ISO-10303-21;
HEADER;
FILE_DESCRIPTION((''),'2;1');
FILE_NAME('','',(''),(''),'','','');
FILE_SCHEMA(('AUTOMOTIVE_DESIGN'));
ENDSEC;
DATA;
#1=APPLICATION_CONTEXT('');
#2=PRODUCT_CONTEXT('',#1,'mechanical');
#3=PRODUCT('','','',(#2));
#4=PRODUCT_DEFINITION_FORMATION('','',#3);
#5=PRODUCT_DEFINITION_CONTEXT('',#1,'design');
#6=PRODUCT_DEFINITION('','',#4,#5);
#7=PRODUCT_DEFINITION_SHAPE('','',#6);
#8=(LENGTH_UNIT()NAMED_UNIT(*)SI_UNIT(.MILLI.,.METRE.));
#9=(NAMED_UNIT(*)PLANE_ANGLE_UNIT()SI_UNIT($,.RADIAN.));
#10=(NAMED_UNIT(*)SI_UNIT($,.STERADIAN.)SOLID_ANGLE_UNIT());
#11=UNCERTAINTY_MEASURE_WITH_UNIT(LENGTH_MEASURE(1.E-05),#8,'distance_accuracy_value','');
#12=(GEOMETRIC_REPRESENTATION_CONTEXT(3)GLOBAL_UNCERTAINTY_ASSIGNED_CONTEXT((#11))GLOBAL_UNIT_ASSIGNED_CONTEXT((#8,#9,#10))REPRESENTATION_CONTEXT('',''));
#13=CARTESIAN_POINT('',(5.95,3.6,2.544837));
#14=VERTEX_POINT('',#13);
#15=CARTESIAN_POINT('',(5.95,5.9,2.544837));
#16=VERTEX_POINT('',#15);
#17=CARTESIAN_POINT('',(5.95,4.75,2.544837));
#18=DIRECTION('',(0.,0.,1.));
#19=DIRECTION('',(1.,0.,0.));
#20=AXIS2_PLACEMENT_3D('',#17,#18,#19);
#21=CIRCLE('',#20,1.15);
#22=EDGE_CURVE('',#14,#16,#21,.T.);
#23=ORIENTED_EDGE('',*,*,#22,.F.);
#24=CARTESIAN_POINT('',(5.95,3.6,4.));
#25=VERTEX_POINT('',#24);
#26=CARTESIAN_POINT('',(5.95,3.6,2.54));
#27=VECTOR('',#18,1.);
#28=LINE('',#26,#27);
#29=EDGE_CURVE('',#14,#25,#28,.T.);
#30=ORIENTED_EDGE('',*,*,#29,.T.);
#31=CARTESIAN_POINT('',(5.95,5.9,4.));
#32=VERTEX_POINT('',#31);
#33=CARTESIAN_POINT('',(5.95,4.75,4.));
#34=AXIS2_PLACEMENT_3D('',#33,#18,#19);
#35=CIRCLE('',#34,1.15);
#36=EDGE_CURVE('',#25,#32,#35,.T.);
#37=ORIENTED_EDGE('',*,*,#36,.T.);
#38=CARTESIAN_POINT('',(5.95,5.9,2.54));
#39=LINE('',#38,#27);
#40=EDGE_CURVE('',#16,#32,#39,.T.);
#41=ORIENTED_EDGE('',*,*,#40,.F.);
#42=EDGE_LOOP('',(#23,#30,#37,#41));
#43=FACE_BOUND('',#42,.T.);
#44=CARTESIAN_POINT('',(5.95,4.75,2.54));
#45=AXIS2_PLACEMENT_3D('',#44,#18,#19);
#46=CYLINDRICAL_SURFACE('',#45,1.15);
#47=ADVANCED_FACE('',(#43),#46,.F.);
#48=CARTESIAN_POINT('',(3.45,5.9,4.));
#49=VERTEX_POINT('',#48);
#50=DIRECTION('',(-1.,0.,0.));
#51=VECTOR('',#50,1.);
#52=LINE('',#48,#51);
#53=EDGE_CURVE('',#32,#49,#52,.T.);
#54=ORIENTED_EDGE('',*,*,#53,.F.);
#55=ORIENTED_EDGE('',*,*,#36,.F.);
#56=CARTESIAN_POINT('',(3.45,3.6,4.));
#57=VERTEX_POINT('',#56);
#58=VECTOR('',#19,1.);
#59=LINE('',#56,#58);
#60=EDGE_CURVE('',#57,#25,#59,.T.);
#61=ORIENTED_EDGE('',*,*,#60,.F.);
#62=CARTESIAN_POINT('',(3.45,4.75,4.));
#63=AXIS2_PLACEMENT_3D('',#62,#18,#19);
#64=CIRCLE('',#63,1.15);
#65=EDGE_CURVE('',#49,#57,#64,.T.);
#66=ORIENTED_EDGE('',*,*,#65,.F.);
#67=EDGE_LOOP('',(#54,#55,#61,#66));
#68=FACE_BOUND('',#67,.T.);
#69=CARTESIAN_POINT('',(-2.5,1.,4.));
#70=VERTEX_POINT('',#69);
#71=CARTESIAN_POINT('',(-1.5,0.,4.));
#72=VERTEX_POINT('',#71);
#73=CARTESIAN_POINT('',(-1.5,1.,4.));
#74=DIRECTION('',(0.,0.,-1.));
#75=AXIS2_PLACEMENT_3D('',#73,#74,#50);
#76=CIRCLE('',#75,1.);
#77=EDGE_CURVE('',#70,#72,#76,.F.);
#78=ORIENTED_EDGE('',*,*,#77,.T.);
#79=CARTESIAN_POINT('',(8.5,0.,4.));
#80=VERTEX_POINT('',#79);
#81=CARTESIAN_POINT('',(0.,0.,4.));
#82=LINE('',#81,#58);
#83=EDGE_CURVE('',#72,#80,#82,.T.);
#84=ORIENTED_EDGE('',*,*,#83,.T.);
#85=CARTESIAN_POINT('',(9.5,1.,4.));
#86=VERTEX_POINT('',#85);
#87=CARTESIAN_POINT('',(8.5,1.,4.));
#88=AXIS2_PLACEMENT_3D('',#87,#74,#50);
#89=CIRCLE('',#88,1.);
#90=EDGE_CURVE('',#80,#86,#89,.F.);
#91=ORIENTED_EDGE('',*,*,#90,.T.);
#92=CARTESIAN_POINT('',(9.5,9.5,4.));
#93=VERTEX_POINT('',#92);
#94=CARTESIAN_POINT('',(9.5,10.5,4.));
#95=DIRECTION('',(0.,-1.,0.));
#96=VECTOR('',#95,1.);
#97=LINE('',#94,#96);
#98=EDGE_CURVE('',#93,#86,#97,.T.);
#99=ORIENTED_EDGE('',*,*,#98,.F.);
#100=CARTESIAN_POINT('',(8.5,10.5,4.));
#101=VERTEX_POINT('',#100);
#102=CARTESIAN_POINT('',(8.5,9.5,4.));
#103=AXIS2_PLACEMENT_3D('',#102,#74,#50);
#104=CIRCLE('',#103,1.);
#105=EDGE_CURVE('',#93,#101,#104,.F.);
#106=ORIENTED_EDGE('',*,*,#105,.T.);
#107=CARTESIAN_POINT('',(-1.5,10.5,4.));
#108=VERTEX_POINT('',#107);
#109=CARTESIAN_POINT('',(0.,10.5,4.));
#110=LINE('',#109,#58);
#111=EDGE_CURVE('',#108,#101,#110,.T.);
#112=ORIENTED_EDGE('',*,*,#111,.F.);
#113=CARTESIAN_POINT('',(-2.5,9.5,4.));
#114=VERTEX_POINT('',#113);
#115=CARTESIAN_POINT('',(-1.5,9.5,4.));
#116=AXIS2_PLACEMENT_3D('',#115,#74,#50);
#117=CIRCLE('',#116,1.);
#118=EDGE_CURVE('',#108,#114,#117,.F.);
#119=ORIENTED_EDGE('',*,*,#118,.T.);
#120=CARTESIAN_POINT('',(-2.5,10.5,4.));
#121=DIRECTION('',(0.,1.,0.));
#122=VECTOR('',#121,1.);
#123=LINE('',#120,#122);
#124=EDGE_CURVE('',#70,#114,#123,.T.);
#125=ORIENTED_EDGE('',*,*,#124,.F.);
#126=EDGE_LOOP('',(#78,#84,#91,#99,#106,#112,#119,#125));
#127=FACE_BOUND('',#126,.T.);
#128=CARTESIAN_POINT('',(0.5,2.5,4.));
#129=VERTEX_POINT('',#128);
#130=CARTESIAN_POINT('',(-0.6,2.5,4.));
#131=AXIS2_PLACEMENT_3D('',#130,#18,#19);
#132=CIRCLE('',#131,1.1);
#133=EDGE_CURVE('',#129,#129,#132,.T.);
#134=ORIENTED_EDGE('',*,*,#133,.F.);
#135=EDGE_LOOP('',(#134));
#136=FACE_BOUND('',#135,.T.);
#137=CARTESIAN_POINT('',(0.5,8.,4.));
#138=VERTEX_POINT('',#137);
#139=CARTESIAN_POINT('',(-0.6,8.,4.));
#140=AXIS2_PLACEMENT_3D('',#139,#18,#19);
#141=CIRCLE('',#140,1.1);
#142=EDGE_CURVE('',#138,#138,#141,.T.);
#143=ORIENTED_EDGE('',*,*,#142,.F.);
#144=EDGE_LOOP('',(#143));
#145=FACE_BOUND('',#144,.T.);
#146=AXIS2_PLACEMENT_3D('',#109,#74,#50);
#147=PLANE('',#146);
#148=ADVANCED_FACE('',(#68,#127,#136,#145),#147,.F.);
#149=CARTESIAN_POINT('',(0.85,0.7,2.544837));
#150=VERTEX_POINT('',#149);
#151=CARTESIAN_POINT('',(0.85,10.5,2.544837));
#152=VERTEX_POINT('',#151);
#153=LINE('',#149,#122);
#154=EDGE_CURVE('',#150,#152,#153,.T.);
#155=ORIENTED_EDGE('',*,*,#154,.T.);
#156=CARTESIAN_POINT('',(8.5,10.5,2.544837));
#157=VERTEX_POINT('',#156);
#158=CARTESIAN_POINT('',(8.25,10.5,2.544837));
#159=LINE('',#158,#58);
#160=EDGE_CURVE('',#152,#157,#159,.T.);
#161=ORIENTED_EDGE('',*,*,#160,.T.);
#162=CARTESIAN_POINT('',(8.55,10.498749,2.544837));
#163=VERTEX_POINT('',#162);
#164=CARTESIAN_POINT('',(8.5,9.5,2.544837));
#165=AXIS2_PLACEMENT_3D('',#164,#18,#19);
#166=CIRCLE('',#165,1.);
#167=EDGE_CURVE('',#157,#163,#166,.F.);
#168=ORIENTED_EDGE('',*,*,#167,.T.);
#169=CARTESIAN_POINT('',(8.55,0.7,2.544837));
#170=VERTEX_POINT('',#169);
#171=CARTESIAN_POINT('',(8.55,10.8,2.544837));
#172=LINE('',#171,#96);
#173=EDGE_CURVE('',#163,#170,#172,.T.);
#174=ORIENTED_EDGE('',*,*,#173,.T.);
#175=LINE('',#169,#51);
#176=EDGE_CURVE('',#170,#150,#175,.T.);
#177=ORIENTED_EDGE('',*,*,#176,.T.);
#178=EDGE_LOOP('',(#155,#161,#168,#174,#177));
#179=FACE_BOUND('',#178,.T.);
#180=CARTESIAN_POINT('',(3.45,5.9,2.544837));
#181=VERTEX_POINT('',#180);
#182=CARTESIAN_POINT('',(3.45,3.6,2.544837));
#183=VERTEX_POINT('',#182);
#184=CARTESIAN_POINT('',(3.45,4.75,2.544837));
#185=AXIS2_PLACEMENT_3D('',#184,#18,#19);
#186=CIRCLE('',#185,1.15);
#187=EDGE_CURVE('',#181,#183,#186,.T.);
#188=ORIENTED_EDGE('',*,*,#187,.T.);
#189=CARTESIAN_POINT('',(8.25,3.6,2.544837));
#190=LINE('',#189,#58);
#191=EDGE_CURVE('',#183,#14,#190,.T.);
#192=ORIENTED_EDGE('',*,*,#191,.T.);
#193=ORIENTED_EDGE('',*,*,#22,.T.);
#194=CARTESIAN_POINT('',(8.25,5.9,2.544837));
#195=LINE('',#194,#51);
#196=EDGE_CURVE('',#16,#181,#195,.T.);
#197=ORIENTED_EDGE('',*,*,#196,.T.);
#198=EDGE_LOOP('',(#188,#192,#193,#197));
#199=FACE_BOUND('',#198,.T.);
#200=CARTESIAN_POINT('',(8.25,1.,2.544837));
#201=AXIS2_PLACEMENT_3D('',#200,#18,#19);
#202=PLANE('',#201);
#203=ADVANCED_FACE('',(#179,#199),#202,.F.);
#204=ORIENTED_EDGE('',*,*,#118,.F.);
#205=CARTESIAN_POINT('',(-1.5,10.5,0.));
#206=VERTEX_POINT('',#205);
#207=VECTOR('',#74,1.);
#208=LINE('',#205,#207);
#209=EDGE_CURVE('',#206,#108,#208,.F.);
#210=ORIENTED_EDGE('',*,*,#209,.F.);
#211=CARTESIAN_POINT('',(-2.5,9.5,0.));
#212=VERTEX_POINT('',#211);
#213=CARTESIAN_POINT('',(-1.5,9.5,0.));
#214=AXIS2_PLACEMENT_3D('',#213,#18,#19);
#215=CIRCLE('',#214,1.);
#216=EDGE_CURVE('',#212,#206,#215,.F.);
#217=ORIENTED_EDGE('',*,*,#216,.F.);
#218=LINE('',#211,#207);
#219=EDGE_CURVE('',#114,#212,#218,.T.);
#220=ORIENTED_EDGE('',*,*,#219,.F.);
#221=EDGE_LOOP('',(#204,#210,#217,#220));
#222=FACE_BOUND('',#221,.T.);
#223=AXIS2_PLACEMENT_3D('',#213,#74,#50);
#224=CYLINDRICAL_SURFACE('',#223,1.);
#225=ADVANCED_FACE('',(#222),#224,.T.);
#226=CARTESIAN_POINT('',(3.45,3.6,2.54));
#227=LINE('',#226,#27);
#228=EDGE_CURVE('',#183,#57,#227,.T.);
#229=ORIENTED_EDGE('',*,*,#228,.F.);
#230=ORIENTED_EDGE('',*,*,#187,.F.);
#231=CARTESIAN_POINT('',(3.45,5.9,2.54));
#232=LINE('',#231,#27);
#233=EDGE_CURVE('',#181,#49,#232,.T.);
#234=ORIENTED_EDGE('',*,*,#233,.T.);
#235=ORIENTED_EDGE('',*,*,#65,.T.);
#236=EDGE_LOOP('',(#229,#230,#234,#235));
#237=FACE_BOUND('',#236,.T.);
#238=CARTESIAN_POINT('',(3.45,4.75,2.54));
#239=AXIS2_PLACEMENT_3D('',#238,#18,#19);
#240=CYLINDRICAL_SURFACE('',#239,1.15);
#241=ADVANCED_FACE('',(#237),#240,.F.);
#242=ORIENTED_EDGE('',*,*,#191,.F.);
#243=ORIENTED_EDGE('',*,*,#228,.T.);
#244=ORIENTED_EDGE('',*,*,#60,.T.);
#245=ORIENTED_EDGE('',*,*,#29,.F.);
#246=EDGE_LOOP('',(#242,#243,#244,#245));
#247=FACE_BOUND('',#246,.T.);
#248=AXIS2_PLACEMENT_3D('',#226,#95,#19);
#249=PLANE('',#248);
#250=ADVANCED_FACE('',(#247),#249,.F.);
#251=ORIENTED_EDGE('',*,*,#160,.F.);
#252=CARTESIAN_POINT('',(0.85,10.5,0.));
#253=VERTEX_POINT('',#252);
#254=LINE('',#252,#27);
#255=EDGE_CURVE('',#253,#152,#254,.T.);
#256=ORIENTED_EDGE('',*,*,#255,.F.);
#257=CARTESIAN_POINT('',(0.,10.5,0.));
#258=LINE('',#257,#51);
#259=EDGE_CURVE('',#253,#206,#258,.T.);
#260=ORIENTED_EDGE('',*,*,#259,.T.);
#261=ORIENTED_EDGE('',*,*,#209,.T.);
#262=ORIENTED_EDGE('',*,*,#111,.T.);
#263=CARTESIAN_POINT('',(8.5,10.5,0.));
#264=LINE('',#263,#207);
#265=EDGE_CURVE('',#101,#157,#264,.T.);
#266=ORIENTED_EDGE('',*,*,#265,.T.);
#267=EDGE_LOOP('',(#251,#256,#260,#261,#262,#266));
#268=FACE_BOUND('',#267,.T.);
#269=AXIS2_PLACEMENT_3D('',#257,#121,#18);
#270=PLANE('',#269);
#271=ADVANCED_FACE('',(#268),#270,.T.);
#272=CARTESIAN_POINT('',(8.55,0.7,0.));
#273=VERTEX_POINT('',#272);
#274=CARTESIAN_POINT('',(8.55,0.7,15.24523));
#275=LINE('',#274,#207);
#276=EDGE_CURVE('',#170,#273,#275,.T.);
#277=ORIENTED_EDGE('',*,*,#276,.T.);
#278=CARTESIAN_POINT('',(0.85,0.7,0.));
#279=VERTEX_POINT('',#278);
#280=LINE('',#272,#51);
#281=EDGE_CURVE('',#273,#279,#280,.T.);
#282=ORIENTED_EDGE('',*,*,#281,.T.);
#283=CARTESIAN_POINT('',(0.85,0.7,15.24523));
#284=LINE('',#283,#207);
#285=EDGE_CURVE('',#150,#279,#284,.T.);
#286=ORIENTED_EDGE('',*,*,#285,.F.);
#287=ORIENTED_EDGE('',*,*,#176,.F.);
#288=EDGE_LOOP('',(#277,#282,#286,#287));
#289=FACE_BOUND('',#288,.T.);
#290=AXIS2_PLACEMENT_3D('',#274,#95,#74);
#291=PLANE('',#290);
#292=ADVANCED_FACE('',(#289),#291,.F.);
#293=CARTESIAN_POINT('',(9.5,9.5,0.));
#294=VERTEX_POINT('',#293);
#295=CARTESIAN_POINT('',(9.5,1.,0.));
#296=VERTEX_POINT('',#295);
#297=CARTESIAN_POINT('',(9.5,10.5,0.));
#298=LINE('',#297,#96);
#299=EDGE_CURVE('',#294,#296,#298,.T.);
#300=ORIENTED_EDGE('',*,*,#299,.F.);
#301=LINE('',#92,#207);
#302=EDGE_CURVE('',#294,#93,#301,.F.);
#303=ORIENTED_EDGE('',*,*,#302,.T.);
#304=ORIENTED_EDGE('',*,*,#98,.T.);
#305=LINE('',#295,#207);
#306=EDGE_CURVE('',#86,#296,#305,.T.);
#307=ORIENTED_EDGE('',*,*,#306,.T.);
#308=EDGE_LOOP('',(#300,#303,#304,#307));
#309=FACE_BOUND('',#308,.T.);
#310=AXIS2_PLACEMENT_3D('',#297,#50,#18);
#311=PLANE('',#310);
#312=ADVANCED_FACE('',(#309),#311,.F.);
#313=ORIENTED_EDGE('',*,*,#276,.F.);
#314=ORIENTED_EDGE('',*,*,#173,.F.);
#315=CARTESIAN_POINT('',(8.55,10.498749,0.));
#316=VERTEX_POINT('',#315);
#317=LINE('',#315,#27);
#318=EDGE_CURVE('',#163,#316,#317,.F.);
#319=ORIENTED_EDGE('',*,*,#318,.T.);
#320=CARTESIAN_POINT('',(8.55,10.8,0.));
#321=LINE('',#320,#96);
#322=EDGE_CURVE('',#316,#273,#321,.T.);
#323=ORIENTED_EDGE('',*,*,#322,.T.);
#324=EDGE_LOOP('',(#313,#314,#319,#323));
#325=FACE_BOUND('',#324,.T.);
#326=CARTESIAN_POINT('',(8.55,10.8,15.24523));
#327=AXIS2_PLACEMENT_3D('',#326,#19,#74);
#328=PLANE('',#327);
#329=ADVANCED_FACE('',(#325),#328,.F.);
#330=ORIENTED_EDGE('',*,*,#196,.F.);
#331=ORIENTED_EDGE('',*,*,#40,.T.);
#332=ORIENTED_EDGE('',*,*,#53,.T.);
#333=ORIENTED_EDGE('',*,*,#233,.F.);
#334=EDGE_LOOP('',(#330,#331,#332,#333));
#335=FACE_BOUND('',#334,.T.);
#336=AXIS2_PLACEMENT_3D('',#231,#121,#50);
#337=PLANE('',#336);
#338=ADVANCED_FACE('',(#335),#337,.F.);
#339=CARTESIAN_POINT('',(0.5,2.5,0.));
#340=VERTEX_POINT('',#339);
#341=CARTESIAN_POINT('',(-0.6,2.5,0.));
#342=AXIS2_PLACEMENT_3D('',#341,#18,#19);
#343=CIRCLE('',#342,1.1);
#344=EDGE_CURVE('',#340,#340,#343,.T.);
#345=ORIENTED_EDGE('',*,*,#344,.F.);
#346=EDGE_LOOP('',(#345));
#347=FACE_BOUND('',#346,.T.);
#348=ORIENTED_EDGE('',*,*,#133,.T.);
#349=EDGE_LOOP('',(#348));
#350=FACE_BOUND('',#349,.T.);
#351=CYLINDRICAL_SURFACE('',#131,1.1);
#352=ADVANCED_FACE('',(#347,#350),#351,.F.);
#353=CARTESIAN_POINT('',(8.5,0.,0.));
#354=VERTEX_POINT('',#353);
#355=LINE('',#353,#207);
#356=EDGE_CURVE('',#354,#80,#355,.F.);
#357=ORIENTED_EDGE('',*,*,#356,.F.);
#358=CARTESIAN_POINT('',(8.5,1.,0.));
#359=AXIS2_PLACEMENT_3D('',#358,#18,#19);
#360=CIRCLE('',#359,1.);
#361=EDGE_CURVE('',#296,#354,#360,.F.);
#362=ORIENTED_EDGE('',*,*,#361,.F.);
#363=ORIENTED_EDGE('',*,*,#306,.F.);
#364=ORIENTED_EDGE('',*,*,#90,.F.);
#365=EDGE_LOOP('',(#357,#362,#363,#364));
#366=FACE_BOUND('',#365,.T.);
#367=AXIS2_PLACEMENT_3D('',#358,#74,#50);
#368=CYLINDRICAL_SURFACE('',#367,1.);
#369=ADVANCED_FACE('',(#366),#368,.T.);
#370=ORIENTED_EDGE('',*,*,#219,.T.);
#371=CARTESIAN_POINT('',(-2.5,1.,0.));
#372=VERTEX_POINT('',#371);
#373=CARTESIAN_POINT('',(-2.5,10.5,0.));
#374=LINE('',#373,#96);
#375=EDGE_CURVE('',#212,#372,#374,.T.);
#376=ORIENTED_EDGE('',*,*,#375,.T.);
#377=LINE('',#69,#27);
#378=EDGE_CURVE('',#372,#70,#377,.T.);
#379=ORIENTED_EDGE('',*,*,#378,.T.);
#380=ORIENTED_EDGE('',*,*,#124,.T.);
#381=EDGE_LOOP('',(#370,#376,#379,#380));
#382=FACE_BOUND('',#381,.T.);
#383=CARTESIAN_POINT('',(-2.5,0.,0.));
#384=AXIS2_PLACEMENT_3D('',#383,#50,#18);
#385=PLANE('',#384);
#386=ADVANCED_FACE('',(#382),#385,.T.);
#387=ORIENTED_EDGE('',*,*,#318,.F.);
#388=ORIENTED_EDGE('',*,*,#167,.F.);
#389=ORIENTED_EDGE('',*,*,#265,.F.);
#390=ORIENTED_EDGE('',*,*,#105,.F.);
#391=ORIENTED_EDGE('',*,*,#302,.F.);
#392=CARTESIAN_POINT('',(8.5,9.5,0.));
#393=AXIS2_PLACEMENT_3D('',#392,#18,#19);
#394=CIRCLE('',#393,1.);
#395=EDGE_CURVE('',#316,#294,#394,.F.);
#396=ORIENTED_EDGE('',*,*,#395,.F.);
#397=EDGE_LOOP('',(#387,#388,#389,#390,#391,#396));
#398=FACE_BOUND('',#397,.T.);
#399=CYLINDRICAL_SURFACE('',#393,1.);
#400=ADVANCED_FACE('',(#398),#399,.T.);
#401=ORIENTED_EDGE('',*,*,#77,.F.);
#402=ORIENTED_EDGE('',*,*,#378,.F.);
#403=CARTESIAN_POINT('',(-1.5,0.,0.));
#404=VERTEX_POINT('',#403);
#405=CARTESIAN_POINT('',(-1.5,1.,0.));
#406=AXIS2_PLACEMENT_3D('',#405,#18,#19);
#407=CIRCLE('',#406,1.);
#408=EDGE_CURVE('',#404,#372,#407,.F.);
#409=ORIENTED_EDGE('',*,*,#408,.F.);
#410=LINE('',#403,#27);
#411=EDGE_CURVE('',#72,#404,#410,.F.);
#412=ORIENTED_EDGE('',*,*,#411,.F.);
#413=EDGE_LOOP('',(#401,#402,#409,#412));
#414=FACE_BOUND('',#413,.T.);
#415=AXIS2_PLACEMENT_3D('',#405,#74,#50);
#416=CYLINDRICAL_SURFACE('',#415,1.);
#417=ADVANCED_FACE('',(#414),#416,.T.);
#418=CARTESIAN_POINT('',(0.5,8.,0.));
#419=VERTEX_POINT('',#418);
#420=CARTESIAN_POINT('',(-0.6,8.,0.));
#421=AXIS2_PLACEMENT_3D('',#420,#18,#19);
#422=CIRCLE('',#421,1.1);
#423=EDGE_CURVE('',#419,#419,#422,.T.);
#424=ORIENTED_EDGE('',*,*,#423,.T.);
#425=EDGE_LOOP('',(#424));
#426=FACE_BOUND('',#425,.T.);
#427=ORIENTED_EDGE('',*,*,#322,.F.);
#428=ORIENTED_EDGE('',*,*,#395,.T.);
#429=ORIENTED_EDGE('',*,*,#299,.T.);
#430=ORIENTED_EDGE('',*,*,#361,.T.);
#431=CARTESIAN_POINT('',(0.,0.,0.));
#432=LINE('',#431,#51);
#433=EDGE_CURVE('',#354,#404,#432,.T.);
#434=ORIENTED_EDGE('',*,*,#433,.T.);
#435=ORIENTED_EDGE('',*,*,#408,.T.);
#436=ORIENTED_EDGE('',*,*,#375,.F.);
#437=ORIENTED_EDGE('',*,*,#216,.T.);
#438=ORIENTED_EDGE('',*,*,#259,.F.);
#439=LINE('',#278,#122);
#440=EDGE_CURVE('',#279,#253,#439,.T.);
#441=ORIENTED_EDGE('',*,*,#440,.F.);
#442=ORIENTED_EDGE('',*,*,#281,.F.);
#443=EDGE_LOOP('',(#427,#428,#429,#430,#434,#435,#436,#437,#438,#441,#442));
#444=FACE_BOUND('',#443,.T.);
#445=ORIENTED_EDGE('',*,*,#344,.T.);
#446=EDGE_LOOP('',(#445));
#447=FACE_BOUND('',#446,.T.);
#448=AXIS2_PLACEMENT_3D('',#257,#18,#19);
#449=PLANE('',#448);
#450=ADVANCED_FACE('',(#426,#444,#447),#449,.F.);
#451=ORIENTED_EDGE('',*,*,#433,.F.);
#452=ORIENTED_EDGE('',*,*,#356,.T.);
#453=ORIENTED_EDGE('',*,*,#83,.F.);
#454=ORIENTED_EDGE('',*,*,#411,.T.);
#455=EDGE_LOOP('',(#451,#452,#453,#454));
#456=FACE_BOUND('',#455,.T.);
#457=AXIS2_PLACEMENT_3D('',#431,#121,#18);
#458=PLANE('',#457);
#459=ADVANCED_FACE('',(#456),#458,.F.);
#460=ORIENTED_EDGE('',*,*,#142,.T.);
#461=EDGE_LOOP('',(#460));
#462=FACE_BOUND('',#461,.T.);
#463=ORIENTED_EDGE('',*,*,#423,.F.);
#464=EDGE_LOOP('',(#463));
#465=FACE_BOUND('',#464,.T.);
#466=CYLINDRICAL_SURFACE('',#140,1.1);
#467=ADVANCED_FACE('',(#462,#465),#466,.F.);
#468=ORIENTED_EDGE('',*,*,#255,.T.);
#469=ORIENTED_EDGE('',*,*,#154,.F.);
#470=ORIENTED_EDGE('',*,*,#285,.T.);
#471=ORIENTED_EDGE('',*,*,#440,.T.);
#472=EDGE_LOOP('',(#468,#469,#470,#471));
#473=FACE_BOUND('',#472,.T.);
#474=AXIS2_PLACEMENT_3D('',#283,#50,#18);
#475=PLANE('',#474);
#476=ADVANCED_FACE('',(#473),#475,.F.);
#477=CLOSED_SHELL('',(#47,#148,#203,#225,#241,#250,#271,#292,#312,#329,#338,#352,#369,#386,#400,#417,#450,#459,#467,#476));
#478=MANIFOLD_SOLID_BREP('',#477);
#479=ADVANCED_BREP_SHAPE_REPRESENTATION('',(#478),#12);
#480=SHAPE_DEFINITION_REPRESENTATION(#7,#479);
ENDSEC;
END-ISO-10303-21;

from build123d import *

# Parameters (mm, degrees)
SKETCH1_W              = 9.5
SKETCH1_H              = 4
BOSS_EXTRUDE1_DEPTH    = 10.5
BREAKBEAM_HOLE_1_DEPTH = 9.5
SKETCH5_W              = 4
SKETCH5_H              = 10.5
BOSS_EXTRUDE4_DEPTH    = 2.5
FILLET1_R              = 1
M2_CLEARANCE_HOLE_D    = 2.2
SKETCH15_W             = 7.7
SKETCH15_H             = 10.1
SKETCH15_W_2           = 7.1
SKETCH15_H_2           = 9.5
CUT_EXTRUDE5_DEPTH     = 2.544836551
CUT_EXTRUDE6_DEPTH     = 1.46


with BuildPart() as part:
    # Sketch1 → Boss-Extrude1 (new body)
    with BuildSketch(Plane(origin=(0, 0, 0), x_dir=(1, 0, 0), z_dir=(0, 1, 0))):
        with Locations((4.75, -2)):
            Rectangle(SKETCH1_W, SKETCH1_H)
    extrude(amount=BOSS_EXTRUDE1_DEPTH)

    # Sketch2 → Breakbeam Hole 1 (cut)
    with BuildSketch(Plane(origin=(0, 10.5, 0), x_dir=(1, 0, 0), z_dir=(0, 1, 0))):
        Polygon((8.25, -2.544836551), (8.25, -1.5), (8.25, 0), (1.15, 0), (1.15, -1.5), (1.15, -2.544836551), align=None)
    extrude(amount=-BREAKBEAM_HOLE_1_DEPTH, mode=Mode.SUBTRACT)

    # Sketch5 → Boss-Extrude4 (add)
    with BuildSketch(Plane.ZY):
        with Locations((2, 5.25)):
            Rectangle(SKETCH5_W, SKETCH5_H)
    extrude(amount=BOSS_EXTRUDE4_DEPTH)

    # Fillet1
    fillet1_edges = [part.edges().sort_by_distance(p)[0] for p in [
        (9.5, 10.5, 2),
        (-2.5, 0, 2),
        (-2.5, 10.5, 2),
        (9.5, 0, 2),
    ]]
    fillet(fillet1_edges, radius=FILLET1_R)

    # M2 Clearance Hole (through all)
    with Locations(Plane.XY.offset(4)):
        with Locations((-0.6, 8), (-0.6, 2.5)):
            Hole(M2_CLEARANCE_HOLE_D / 2)

    # Sketch15 → Cut-Extrude5 (cut)
    with BuildSketch(Plane(origin=(0, 0, 0), x_dir=(-1, 0, 0), z_dir=(0, 0, -1))):
        with Locations((-4.7, 5.75)):
            Rectangle(SKETCH15_W, SKETCH15_H)
        with Locations((-4.7, 5.75)):
            Rectangle(SKETCH15_W_2, SKETCH15_H_2, mode=Mode.SUBTRACT)
    extrude(amount=-CUT_EXTRUDE5_DEPTH, mode=Mode.SUBTRACT)

    # Sketch16 → Cut-Extrude6 (cut)
    with BuildSketch(Plane.XY.offset(4)):
        with BuildLine():
            Line((3.45, 5.9), (5.95, 5.9))
            ThreePointArc((5.95, 5.9), (7.1, 4.75), (5.95, 3.6))
            Line((5.95, 3.6), (3.45, 3.6))
            ThreePointArc((3.45, 3.6), (2.3, 4.75), (3.45, 5.9))
        make_face()
    extrude(amount=-CUT_EXTRUDE6_DEPTH, mode=Mode.SUBTRACT)


solid = part.part
